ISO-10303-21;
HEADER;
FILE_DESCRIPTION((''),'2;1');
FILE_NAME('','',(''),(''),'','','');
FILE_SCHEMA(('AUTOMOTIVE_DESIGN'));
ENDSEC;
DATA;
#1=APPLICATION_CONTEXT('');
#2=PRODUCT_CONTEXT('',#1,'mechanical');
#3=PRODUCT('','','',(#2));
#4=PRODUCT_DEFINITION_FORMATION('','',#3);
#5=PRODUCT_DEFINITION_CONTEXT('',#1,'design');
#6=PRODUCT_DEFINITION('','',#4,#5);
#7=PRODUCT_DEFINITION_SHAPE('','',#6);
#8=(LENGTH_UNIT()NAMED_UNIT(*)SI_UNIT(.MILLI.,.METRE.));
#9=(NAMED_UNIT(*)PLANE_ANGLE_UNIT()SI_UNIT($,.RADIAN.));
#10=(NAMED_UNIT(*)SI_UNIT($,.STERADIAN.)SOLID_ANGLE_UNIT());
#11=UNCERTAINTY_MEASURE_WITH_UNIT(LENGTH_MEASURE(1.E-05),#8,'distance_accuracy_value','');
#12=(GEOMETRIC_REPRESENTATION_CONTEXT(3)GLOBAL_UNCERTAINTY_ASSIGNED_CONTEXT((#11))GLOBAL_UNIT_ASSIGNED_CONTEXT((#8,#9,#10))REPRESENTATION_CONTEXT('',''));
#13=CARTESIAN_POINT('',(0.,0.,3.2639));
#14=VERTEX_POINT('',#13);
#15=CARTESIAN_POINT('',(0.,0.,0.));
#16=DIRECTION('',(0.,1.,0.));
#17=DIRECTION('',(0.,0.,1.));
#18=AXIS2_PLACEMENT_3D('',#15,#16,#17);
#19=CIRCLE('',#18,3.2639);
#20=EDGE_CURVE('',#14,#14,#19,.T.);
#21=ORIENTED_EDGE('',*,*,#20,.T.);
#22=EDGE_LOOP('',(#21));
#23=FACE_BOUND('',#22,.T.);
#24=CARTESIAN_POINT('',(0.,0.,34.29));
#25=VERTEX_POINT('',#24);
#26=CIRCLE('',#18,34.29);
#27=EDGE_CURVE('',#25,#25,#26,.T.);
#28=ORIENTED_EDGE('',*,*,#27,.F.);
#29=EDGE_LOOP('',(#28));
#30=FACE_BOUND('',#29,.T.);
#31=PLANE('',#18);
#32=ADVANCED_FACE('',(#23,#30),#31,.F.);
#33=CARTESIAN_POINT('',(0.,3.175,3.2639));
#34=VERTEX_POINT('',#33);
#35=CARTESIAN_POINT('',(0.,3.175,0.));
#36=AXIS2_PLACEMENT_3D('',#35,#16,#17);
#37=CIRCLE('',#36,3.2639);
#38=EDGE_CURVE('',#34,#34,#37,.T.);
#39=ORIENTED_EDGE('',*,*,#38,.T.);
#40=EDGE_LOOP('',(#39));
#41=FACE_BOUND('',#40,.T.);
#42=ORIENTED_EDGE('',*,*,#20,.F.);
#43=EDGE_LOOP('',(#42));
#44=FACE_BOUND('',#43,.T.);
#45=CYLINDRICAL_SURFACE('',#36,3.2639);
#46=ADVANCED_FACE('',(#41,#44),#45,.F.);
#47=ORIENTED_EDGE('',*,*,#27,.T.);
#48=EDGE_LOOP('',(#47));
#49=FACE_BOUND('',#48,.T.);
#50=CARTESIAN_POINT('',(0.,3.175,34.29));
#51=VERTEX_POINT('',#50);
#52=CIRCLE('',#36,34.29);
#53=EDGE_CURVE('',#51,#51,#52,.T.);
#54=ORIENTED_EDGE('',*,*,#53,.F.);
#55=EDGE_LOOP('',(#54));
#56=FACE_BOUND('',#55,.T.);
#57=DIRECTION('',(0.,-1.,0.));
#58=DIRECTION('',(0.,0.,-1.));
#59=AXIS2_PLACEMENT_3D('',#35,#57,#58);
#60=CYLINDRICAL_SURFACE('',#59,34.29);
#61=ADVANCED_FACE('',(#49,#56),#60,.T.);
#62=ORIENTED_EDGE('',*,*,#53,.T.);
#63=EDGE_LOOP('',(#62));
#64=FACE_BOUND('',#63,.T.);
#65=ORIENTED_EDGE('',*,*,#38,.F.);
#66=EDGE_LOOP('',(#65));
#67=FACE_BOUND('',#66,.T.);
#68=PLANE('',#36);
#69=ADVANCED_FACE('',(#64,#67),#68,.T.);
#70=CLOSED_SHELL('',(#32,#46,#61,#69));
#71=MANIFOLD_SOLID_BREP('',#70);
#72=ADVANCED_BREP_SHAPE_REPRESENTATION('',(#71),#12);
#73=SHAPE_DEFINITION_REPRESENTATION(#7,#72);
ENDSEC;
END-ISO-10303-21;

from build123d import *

# Parameters (mm, degrees)
SKETCH1_R               = 34.29
BOSS_EXTRUDE1_DEPTH     = 3.175
F_1_4_CLEARANCE_HOLE1_D = 6.5278


with BuildPart() as part:
    # Sketch1 → Boss-Extrude1 (new body)
    with BuildSketch(Plane(origin=(0, 0, 0), x_dir=(1, 0, 0), z_dir=(0, 1, 0))):
        with Locations(Location((0, 0, 0), (0, 0, 270))):
            Circle(SKETCH1_R)
    extrude(amount=BOSS_EXTRUDE1_DEPTH)

    # 1/4 Clearance Hole1 (through all)
    with Locations(Plane(origin=(0, 3.175, 0), x_dir=(1, 0, 0), z_dir=(0, 1, 0))):
        with Locations((0, 0)):
            Hole(F_1_4_CLEARANCE_HOLE1_D / 2)


solid = part.part
